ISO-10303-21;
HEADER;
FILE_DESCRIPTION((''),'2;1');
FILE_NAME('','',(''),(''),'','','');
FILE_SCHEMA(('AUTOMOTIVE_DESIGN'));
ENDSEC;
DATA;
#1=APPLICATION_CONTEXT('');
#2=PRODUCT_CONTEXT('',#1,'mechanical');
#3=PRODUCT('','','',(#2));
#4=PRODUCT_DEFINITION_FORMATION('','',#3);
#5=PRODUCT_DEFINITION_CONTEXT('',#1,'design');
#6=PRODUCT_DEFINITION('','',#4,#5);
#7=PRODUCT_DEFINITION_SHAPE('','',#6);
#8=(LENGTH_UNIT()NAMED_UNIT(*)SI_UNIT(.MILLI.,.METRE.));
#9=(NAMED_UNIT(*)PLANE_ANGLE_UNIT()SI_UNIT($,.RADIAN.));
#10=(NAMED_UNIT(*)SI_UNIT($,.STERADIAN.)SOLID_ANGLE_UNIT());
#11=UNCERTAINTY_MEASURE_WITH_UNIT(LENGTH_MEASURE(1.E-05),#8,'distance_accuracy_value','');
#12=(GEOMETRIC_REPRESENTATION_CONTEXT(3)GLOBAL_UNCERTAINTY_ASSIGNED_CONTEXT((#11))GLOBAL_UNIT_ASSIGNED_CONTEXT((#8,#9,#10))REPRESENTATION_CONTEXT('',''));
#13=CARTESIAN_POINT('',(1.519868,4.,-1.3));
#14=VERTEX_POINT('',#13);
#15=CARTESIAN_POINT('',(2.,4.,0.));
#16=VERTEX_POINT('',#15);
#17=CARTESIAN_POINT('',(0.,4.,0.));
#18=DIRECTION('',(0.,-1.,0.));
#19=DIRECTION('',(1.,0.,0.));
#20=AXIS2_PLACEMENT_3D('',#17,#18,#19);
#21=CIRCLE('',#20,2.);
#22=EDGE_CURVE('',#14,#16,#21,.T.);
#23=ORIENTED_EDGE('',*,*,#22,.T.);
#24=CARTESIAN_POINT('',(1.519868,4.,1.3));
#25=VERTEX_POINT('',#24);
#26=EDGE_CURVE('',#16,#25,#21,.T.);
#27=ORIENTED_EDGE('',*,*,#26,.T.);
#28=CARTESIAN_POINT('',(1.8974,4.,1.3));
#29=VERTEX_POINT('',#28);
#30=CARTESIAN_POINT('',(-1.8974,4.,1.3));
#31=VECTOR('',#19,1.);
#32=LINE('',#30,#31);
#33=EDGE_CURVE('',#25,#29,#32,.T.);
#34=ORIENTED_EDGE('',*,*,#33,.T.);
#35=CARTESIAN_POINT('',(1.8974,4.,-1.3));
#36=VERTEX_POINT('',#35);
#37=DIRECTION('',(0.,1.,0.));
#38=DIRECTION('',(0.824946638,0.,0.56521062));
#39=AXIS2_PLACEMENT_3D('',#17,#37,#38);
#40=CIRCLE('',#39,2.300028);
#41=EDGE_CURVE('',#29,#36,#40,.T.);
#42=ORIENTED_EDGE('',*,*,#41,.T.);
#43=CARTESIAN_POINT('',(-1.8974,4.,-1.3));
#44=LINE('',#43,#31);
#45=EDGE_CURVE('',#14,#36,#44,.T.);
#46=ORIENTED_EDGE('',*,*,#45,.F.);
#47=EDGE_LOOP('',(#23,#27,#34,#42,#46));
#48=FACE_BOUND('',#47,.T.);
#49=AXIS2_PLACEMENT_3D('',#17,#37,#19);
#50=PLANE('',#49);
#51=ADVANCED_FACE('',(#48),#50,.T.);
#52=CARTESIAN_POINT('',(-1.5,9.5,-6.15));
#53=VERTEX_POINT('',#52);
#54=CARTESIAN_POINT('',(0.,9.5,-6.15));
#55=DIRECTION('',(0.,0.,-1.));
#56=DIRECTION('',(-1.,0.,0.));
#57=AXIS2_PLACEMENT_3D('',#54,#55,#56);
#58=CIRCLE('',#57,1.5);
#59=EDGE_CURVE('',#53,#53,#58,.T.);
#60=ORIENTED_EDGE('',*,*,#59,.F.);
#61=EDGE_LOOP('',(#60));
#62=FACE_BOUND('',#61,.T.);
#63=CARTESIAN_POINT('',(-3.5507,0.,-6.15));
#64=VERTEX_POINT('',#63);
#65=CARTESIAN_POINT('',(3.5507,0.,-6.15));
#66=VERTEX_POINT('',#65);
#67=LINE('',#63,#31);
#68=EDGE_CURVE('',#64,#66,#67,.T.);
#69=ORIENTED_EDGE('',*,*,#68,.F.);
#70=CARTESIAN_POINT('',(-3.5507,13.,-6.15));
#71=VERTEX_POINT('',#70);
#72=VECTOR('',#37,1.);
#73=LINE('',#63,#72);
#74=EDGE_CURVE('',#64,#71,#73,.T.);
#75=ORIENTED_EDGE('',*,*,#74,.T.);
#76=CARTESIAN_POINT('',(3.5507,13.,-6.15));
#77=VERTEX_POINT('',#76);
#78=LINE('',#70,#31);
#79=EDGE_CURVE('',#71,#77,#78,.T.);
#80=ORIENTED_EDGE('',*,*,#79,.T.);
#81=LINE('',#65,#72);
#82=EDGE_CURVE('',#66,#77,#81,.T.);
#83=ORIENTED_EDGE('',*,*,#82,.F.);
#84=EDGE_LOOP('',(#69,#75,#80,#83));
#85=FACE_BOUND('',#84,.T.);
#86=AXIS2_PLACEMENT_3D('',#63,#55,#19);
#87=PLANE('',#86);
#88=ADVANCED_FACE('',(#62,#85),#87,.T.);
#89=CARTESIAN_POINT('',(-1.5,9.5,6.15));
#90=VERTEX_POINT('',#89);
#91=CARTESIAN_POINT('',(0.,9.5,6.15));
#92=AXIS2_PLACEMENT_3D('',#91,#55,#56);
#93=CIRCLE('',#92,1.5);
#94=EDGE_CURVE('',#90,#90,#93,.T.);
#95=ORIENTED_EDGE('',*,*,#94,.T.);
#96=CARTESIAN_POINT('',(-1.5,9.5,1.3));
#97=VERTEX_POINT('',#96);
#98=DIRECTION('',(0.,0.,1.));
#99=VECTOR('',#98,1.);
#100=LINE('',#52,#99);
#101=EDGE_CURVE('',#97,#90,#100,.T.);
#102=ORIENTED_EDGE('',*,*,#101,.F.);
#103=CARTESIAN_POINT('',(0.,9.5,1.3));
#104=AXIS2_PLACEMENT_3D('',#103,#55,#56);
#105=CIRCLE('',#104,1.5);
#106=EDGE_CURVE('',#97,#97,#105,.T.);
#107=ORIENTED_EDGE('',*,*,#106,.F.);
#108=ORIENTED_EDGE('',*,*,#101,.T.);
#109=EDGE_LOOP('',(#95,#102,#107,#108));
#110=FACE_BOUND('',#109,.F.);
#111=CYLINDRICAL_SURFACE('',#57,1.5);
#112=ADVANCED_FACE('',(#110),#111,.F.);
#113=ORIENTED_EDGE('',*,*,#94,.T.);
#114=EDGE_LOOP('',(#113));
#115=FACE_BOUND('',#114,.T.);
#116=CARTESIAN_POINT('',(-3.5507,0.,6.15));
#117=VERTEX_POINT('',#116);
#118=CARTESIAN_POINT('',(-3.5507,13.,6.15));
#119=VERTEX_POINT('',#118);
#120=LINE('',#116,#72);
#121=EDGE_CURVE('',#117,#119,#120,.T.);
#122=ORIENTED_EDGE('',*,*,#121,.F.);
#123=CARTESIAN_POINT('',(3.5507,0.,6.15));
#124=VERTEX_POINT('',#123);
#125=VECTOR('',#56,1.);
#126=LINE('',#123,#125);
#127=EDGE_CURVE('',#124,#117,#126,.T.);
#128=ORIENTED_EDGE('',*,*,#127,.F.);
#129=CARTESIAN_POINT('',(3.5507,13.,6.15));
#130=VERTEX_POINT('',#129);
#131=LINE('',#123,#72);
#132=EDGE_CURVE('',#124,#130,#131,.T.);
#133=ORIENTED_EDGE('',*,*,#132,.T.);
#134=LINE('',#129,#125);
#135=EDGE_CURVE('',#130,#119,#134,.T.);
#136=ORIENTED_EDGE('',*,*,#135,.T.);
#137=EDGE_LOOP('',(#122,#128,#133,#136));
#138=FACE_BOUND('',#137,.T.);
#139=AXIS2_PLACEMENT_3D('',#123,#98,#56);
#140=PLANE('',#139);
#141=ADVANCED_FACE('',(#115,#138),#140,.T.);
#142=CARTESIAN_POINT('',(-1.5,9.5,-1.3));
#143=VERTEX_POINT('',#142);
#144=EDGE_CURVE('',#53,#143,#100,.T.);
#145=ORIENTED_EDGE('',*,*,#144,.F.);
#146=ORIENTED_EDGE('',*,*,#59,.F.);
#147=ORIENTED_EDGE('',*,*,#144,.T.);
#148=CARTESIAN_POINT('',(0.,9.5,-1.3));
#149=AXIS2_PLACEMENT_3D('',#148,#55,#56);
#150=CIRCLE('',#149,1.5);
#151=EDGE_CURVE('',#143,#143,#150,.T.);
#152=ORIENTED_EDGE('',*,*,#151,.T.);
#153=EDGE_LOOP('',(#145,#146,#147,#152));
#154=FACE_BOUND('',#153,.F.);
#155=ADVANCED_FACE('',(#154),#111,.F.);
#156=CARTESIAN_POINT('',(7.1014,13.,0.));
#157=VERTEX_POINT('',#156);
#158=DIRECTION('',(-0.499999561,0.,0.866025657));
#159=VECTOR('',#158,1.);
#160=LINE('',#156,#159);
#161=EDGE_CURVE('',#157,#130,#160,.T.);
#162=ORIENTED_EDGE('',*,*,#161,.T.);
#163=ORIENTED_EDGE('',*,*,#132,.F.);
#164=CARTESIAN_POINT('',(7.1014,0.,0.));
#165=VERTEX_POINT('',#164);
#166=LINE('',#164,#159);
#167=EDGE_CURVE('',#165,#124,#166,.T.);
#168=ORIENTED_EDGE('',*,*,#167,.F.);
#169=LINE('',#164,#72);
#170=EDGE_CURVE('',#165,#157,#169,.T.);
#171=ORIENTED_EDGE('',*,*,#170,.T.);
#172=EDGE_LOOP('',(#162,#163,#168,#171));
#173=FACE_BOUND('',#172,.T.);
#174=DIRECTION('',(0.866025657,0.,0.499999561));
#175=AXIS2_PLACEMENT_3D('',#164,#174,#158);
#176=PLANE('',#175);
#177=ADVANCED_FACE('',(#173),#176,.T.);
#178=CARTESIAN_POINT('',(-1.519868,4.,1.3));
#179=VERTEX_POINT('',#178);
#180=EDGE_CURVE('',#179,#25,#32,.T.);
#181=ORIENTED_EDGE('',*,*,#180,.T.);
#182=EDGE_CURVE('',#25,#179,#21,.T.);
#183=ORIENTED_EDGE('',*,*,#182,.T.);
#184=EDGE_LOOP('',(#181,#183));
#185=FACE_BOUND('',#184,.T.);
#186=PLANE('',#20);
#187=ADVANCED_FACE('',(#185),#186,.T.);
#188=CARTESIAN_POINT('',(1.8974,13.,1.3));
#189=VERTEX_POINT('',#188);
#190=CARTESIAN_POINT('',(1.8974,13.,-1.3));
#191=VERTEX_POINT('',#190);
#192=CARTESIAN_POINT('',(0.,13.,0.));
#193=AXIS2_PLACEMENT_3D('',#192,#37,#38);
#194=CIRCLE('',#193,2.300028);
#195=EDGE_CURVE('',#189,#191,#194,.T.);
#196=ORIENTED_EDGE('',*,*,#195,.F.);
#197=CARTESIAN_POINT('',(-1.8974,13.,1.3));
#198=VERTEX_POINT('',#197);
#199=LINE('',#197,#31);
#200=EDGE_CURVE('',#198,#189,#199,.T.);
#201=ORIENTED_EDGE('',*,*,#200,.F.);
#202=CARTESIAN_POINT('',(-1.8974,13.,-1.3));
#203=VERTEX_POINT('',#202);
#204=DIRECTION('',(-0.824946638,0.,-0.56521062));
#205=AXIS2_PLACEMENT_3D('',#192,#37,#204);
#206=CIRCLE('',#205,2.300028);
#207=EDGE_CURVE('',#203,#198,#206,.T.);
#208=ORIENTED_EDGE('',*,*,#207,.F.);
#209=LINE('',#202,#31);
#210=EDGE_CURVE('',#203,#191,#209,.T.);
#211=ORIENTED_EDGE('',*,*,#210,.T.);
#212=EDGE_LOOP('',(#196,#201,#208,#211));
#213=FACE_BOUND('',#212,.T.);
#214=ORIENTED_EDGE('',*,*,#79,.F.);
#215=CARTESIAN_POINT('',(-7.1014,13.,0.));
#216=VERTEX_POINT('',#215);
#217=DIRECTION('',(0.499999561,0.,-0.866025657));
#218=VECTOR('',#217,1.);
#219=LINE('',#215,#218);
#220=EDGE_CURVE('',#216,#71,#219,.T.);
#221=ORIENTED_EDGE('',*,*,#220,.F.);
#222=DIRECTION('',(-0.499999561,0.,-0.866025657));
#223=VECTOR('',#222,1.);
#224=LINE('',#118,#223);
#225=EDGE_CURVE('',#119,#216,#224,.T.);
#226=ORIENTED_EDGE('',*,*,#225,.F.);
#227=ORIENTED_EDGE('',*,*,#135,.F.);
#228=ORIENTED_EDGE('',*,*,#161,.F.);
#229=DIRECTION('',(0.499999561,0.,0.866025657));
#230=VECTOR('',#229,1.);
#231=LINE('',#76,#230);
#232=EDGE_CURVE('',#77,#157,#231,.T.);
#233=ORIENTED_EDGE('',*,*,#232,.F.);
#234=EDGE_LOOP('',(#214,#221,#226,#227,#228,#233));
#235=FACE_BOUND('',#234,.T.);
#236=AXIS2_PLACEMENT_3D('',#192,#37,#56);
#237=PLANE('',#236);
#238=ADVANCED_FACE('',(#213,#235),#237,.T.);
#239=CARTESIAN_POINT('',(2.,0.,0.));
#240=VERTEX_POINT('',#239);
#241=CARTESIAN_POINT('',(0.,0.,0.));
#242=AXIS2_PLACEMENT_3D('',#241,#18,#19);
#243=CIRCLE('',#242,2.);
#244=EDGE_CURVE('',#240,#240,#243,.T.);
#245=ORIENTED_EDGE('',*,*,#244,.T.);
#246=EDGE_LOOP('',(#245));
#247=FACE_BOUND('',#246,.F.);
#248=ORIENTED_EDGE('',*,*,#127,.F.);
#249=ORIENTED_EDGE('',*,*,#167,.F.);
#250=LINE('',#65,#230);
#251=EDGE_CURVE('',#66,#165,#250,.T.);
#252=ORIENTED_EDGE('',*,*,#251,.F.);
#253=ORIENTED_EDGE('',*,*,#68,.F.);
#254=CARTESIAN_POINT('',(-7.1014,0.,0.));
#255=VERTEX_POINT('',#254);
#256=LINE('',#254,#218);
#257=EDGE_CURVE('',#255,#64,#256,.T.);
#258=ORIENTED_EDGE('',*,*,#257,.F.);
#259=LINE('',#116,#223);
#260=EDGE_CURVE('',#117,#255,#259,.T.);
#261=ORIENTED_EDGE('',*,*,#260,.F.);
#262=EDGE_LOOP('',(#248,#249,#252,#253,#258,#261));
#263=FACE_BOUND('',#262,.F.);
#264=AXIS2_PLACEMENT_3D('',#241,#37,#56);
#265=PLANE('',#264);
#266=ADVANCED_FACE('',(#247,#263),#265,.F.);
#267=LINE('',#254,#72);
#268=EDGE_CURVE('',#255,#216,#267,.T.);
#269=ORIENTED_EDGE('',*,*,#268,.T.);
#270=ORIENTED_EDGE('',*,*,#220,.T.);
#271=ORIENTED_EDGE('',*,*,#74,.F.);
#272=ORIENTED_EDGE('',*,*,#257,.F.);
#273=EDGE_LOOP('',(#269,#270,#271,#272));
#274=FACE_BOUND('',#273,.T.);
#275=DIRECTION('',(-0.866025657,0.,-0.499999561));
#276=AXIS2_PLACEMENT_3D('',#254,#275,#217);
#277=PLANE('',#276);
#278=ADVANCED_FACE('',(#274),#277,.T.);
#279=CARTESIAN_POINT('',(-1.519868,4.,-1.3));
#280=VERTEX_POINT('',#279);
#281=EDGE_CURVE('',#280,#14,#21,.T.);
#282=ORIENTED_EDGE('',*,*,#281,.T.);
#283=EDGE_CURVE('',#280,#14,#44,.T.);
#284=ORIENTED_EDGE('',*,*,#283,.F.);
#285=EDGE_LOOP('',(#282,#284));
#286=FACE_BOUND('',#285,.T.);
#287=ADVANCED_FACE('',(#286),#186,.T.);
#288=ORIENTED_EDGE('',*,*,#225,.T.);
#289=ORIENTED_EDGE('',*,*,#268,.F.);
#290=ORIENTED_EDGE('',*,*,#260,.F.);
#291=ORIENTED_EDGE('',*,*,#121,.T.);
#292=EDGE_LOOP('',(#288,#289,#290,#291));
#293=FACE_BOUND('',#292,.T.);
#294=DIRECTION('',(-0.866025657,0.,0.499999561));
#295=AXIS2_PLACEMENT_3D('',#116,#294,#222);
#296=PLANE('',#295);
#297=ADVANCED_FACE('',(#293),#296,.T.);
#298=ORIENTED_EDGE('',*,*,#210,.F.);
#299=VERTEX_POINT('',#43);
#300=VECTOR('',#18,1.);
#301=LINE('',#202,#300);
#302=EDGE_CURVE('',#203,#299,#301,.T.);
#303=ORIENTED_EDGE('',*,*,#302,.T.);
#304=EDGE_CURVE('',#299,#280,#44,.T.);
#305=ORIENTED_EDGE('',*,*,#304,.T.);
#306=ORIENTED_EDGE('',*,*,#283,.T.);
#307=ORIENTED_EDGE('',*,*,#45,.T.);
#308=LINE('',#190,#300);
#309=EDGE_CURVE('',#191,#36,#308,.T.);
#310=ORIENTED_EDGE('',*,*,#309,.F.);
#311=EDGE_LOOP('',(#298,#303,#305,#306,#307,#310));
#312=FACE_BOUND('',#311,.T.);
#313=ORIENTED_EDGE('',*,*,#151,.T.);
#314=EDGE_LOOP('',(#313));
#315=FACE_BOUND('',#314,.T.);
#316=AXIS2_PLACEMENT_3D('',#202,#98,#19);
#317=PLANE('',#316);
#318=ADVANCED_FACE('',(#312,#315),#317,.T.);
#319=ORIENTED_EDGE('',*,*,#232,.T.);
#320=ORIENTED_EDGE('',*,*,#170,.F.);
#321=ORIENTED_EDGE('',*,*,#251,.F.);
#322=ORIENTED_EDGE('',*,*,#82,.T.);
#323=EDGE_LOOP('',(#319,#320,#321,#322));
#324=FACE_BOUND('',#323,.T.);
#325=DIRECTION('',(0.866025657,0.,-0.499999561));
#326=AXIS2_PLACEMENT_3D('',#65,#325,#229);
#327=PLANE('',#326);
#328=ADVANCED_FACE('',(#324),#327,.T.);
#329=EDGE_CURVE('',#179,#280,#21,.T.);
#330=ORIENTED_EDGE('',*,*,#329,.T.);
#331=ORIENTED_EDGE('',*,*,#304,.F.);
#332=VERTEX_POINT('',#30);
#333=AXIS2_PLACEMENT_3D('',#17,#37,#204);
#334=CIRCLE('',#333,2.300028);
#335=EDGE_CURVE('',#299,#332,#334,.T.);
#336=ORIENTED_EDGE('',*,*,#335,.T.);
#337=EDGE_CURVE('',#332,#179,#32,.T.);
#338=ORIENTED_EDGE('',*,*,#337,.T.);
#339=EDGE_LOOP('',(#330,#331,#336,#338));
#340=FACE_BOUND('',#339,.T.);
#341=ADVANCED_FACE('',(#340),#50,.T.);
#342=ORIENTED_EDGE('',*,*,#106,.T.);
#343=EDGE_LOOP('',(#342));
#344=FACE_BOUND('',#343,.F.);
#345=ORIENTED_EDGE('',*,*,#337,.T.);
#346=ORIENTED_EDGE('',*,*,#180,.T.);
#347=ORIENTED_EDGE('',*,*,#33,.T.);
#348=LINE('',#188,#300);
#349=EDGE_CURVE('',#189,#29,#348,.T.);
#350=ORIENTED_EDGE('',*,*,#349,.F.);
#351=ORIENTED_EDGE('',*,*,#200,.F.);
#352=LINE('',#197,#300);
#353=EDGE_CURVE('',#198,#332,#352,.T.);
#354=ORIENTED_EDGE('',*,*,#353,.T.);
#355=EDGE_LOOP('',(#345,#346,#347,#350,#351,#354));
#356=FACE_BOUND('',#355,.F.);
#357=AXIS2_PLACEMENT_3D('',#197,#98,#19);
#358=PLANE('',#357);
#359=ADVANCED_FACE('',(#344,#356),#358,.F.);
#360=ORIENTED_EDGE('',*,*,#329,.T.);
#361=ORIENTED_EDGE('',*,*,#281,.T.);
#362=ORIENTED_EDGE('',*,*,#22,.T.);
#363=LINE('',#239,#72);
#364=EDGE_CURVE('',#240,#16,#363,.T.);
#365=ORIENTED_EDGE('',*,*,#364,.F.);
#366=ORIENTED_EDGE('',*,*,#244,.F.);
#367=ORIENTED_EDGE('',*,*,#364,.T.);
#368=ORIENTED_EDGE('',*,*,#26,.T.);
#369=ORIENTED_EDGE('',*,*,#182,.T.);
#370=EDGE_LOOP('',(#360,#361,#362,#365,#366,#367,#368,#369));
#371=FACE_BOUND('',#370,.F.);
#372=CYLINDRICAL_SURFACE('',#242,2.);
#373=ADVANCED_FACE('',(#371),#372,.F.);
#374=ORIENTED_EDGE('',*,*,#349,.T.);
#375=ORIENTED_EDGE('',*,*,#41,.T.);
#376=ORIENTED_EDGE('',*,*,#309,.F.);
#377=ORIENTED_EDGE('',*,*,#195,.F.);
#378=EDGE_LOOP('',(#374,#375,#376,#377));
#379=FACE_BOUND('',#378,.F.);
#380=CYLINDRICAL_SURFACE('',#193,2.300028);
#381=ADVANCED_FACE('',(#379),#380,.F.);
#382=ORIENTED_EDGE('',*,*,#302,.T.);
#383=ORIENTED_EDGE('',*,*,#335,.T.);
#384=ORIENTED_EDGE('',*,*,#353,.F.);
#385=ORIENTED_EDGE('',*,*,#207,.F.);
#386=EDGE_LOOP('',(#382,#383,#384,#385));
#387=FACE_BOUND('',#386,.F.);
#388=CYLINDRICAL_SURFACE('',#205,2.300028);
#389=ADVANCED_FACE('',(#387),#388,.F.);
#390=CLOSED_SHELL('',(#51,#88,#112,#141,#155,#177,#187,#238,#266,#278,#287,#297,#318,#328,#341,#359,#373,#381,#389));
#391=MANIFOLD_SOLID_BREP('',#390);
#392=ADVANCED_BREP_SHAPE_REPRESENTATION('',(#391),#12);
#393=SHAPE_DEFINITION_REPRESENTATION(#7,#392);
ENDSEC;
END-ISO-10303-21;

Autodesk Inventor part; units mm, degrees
ref_plane "YZ Plane" through (0, 0, 0) normal (1, 0, 0) x (0, 1, 0)
ref_plane "XZ Plane" through (0, 0, 0) normal (0, 1, 0) x (-1, 0, 0)
ref_plane "XY Plane" through (0, 0, 0) normal (0, 0, 1) x (1, 0, 0)
sketch "Sketch1" plane through (0, 0, 0) normal (0, 1, 0) x (-1, 0, 0)
  line L0 (7.1014, 0) -> (3.5507, -6.15)
  line L1 (3.5507, -6.15) -> (-3.5507, -6.15)
  line L2 (-3.5507, -6.15) -> (-7.1014, 0)
  line L3 (-7.1014, 0) -> (-3.5507, 6.15)
  line L4 (-3.5507, 6.15) -> (3.5507, 6.15)
  line L5 (3.5507, 6.15) -> (7.1014, 0)
  line L6 (0, 0) -> (25.8005, 0) construction
  dimension "d0" = 12.3
extrude "Extrusion1" add sketch "Sketch1" along normal blind 13
sketch "Sketch2" plane through (0, 13, 0) normal (0, 1, 0) x (1, 0, 0)
  line L0 (3.5507, 6.15) -> (-3.5507, 6.15) projected
  line L1 (-1.8974, 1.3) -> (1.8974, 1.3)
  line L2 (-1.8974, -1.3) -> (1.8974, -1.3)
  arc A0 (-1.8974, 1.3) -> (-1.8974, -1.3) centre (0, 0) ccw
  arc A1 (1.8974, -1.3) -> (1.8974, 1.3) centre (0, 0) ccw
  dimension "d4" = 2.6
  dimension "d5" = 2.3
  dimension "d6" = 2.3
extrude "Extrusion2" cut sketch "Sketch2" against normal blind 9
sketch "Sketch6" plane through (0, 0, 0) normal (0, -1, 0) x (1, 0, 0)
  circle A0 centre (0, 0) radius 2
  dimension "d16" = 4
extrude "Extrusion5" cut sketch "Sketch6" against normal up to surface (4 mm away)
sketch "Sketch7" plane through (3.5507, 0, -6.15) normal (0, 0, -1) x (-1, 0, 0)
  line L0 (0, 13) -> (7.1014, 13) projected
  line L1 (0, 0) -> (0, 13) projected
  circle A0 centre (3.5507, 9.5) radius 1.5
  line L2 (3.5507, 0) -> (3.5507, 15.2107) construction
  dimension "d19" = 3
  dimension "d20" = 3.5
extrude "Extrusion6" cut sketch "Sketch7" against normal through all
equation "\"Plastic_Reduction_Margin\" = 0.3"
properties part number "Hub_Hex_12mm" material "Polyethylene, Low Density"
